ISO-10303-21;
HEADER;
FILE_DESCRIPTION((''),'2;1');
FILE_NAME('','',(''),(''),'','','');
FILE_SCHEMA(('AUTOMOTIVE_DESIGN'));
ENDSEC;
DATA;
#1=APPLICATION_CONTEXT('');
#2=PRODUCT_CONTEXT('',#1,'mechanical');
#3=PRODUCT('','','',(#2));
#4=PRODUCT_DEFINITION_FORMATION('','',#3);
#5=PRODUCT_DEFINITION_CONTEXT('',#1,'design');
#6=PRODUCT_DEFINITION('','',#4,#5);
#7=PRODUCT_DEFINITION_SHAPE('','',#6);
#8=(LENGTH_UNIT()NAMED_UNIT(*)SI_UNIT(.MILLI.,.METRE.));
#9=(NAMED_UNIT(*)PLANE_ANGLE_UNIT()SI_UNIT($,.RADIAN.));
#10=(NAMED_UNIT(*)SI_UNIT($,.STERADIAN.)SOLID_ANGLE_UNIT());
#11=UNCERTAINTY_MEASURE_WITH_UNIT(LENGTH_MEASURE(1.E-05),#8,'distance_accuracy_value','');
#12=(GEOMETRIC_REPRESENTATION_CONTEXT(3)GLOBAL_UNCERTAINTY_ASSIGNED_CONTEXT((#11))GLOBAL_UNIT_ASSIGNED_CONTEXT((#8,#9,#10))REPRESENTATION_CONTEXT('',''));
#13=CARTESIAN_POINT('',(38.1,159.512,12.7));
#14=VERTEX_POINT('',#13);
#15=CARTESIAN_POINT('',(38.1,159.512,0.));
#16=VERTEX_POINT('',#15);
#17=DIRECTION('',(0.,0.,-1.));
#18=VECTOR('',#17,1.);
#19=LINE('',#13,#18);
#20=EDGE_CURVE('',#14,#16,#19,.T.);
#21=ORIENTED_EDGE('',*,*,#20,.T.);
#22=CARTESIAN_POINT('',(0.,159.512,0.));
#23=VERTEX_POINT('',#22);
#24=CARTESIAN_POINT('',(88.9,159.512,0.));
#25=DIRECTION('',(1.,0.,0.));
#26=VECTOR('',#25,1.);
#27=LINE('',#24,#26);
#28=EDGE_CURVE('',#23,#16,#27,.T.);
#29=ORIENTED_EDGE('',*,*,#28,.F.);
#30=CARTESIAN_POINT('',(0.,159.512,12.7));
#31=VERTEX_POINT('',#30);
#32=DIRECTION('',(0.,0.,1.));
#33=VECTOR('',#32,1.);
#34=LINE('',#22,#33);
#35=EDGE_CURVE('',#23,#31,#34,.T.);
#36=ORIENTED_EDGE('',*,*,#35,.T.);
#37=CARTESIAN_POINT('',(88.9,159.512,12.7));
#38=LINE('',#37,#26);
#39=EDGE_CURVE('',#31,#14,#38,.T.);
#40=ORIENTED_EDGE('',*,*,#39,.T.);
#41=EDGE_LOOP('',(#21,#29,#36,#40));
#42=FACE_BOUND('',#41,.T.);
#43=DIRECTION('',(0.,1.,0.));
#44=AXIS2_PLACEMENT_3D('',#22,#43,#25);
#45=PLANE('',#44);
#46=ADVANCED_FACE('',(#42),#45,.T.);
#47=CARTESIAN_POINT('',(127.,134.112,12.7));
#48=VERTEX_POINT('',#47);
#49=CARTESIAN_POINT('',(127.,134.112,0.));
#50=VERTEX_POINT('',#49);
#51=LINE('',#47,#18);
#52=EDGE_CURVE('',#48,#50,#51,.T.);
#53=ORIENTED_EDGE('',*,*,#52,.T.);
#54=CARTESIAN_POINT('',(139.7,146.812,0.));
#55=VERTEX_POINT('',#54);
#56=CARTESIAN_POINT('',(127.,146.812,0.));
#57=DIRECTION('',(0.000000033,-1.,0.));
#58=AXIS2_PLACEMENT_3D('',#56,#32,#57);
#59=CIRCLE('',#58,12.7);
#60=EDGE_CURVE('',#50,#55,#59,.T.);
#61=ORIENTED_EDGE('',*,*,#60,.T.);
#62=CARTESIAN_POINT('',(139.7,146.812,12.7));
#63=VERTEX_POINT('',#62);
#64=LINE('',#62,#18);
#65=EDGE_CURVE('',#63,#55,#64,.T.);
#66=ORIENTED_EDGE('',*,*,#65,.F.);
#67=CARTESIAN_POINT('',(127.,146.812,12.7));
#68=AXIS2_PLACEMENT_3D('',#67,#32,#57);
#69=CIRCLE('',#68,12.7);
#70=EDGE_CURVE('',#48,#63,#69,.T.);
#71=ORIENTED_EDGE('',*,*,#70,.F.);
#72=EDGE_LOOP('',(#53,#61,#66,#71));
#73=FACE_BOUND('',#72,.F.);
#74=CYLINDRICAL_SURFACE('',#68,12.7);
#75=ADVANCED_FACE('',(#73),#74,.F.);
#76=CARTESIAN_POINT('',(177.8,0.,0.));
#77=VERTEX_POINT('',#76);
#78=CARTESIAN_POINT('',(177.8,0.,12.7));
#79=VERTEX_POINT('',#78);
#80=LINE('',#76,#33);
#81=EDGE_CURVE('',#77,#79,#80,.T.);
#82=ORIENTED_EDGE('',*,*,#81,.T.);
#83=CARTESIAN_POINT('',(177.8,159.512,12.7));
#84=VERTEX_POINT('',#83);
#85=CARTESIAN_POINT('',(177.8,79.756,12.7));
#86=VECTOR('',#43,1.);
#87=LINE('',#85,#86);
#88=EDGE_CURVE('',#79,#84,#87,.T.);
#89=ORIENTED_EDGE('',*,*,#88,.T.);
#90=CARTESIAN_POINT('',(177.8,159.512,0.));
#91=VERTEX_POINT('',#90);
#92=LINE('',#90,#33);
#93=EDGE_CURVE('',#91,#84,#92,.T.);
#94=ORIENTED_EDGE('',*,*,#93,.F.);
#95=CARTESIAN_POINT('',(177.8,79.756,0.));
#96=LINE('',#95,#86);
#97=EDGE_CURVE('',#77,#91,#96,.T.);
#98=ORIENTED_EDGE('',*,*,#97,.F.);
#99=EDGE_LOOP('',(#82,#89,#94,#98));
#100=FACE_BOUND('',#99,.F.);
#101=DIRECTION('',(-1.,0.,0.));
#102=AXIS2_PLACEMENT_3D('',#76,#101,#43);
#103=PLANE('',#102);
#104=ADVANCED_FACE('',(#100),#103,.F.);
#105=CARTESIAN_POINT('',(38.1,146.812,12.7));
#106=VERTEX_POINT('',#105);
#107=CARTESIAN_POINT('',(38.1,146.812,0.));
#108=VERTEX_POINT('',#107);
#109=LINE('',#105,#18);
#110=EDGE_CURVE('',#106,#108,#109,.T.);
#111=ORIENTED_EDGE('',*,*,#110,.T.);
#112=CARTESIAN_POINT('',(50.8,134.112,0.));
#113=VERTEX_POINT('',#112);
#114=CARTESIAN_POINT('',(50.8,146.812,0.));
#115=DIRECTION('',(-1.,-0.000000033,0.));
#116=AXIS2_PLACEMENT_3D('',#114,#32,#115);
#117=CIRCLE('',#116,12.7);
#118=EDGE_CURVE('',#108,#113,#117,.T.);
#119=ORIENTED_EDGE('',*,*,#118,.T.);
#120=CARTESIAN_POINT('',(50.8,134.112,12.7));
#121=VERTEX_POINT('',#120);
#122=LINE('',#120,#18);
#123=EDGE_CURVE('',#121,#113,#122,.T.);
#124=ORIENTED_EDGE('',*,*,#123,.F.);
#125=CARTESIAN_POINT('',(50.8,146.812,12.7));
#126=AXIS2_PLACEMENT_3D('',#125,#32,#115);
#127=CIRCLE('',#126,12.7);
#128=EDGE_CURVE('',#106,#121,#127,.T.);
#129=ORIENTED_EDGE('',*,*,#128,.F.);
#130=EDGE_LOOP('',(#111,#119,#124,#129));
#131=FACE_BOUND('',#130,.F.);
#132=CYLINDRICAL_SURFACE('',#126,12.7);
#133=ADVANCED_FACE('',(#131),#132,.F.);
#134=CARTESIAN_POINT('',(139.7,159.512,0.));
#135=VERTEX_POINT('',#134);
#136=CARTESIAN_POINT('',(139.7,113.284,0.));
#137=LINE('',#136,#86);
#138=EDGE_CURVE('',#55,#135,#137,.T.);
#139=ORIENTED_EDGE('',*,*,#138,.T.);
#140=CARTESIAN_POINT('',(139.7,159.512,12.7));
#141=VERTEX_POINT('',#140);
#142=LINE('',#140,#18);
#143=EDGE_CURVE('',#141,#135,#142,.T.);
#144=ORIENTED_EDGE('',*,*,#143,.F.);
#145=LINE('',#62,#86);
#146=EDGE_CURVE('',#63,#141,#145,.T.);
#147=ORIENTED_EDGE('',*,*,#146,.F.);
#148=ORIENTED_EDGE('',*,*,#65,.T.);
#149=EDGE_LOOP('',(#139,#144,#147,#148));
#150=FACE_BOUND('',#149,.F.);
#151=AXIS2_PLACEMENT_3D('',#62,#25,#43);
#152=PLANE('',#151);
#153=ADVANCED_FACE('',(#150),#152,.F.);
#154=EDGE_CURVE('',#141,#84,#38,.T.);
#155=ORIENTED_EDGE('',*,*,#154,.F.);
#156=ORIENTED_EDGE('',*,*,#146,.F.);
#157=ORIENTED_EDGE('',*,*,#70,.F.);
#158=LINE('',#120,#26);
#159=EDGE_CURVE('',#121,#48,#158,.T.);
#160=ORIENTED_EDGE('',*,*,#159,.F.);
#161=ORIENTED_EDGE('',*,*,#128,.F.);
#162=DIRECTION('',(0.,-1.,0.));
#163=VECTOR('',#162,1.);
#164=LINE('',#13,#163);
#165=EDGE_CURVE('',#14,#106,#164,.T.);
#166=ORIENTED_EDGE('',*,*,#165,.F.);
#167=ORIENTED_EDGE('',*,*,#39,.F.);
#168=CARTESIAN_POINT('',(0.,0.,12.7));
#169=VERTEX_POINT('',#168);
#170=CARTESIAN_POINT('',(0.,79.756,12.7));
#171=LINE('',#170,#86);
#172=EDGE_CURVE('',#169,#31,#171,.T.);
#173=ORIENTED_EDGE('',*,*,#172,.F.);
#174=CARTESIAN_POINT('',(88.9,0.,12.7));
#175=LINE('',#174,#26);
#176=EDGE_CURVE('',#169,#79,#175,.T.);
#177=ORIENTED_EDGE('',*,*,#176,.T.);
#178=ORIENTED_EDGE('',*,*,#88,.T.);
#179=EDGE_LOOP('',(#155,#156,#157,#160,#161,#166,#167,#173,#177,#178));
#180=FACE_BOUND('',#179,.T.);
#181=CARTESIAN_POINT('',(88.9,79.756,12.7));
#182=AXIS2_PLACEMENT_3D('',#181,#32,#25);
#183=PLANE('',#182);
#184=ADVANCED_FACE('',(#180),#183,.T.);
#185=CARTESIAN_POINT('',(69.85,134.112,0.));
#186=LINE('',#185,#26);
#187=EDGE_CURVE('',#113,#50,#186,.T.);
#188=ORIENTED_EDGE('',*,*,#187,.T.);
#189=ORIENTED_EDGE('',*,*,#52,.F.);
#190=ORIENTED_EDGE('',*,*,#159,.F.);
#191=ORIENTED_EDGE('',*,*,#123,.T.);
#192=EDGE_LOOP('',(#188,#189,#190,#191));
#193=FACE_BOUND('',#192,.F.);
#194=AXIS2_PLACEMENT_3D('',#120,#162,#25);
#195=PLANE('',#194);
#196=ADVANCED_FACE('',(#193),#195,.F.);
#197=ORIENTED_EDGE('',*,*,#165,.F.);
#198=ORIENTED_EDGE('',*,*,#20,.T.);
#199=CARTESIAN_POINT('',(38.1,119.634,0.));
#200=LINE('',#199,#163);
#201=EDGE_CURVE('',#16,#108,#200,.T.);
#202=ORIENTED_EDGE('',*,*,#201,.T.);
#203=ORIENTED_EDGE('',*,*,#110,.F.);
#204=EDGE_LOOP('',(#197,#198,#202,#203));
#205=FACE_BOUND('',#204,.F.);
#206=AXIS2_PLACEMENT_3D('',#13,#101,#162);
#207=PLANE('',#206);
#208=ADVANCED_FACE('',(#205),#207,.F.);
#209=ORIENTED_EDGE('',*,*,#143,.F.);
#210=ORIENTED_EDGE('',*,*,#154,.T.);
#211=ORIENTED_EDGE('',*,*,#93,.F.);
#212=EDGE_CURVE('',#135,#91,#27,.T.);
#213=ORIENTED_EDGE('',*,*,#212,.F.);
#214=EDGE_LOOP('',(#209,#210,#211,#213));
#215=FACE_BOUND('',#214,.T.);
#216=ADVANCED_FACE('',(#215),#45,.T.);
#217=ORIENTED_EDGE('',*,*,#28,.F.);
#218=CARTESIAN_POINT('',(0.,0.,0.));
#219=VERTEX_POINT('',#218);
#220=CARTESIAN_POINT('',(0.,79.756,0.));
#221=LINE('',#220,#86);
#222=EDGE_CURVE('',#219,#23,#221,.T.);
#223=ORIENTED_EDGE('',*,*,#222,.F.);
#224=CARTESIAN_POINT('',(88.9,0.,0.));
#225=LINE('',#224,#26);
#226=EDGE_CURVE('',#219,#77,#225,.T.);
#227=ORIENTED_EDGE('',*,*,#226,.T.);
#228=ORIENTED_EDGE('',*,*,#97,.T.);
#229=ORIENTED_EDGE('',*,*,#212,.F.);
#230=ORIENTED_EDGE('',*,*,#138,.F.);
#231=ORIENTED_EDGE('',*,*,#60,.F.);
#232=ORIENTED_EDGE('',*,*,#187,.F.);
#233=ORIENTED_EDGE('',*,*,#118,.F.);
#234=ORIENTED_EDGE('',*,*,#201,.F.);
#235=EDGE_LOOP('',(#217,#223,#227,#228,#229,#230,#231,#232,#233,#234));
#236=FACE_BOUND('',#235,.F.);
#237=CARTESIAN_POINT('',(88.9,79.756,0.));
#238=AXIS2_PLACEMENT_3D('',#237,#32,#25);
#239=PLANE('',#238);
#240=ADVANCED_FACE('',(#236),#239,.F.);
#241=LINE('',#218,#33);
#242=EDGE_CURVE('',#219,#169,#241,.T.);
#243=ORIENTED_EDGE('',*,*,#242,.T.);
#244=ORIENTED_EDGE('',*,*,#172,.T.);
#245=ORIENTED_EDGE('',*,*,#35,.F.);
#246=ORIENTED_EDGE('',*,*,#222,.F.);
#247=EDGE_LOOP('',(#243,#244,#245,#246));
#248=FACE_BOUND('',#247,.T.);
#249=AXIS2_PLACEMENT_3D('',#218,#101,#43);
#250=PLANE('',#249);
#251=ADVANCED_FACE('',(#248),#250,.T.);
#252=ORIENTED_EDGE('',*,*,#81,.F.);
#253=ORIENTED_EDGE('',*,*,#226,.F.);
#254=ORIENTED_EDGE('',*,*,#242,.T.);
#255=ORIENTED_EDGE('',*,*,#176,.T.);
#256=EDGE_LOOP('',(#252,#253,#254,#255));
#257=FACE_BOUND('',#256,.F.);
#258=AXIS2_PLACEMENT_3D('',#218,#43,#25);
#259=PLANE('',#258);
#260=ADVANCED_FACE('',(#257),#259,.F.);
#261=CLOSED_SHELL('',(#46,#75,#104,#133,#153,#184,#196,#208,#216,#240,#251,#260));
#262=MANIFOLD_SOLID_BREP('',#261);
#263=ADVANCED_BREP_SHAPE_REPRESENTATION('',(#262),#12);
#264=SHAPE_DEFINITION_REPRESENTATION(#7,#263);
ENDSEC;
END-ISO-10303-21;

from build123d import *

# Parameters (mm, degrees)
F0_W     = 177.8
F0_H     = 159.512
F1_DEPTH = 12.7
F3_DEPTH = 12.701


with BuildPart() as f1:
    # F0 (on Top) → F1 (new body)
    with BuildSketch(Plane.XY):
        with Locations((88.9, 79.756)):
            Rectangle(F0_W, F0_H)
    extrude(amount=F1_DEPTH)

    # F2 (on face) → F3 (cut, through all)
    with BuildSketch(Plane.XY.offset(12.7)):
        with BuildLine():
            Line((139.7, 159.512), (38.1, 159.512))
            Line((38.1, 159.512), (38.1, 146.812))
            ThreePointArc((38.1, 146.812), (41.819744, 137.831744), (50.8, 134.112))
            Line((50.8, 134.112), (88.9, 134.112))
            Line((88.9, 134.112), (127, 134.112))
            ThreePointArc((127, 134.112), (135.980256, 137.831744), (139.7, 146.812))
            Line((139.7, 146.812), (139.7, 159.512))
        make_face()
    extrude(amount=-F3_DEPTH, mode=Mode.SUBTRACT)


solid = f1.part
